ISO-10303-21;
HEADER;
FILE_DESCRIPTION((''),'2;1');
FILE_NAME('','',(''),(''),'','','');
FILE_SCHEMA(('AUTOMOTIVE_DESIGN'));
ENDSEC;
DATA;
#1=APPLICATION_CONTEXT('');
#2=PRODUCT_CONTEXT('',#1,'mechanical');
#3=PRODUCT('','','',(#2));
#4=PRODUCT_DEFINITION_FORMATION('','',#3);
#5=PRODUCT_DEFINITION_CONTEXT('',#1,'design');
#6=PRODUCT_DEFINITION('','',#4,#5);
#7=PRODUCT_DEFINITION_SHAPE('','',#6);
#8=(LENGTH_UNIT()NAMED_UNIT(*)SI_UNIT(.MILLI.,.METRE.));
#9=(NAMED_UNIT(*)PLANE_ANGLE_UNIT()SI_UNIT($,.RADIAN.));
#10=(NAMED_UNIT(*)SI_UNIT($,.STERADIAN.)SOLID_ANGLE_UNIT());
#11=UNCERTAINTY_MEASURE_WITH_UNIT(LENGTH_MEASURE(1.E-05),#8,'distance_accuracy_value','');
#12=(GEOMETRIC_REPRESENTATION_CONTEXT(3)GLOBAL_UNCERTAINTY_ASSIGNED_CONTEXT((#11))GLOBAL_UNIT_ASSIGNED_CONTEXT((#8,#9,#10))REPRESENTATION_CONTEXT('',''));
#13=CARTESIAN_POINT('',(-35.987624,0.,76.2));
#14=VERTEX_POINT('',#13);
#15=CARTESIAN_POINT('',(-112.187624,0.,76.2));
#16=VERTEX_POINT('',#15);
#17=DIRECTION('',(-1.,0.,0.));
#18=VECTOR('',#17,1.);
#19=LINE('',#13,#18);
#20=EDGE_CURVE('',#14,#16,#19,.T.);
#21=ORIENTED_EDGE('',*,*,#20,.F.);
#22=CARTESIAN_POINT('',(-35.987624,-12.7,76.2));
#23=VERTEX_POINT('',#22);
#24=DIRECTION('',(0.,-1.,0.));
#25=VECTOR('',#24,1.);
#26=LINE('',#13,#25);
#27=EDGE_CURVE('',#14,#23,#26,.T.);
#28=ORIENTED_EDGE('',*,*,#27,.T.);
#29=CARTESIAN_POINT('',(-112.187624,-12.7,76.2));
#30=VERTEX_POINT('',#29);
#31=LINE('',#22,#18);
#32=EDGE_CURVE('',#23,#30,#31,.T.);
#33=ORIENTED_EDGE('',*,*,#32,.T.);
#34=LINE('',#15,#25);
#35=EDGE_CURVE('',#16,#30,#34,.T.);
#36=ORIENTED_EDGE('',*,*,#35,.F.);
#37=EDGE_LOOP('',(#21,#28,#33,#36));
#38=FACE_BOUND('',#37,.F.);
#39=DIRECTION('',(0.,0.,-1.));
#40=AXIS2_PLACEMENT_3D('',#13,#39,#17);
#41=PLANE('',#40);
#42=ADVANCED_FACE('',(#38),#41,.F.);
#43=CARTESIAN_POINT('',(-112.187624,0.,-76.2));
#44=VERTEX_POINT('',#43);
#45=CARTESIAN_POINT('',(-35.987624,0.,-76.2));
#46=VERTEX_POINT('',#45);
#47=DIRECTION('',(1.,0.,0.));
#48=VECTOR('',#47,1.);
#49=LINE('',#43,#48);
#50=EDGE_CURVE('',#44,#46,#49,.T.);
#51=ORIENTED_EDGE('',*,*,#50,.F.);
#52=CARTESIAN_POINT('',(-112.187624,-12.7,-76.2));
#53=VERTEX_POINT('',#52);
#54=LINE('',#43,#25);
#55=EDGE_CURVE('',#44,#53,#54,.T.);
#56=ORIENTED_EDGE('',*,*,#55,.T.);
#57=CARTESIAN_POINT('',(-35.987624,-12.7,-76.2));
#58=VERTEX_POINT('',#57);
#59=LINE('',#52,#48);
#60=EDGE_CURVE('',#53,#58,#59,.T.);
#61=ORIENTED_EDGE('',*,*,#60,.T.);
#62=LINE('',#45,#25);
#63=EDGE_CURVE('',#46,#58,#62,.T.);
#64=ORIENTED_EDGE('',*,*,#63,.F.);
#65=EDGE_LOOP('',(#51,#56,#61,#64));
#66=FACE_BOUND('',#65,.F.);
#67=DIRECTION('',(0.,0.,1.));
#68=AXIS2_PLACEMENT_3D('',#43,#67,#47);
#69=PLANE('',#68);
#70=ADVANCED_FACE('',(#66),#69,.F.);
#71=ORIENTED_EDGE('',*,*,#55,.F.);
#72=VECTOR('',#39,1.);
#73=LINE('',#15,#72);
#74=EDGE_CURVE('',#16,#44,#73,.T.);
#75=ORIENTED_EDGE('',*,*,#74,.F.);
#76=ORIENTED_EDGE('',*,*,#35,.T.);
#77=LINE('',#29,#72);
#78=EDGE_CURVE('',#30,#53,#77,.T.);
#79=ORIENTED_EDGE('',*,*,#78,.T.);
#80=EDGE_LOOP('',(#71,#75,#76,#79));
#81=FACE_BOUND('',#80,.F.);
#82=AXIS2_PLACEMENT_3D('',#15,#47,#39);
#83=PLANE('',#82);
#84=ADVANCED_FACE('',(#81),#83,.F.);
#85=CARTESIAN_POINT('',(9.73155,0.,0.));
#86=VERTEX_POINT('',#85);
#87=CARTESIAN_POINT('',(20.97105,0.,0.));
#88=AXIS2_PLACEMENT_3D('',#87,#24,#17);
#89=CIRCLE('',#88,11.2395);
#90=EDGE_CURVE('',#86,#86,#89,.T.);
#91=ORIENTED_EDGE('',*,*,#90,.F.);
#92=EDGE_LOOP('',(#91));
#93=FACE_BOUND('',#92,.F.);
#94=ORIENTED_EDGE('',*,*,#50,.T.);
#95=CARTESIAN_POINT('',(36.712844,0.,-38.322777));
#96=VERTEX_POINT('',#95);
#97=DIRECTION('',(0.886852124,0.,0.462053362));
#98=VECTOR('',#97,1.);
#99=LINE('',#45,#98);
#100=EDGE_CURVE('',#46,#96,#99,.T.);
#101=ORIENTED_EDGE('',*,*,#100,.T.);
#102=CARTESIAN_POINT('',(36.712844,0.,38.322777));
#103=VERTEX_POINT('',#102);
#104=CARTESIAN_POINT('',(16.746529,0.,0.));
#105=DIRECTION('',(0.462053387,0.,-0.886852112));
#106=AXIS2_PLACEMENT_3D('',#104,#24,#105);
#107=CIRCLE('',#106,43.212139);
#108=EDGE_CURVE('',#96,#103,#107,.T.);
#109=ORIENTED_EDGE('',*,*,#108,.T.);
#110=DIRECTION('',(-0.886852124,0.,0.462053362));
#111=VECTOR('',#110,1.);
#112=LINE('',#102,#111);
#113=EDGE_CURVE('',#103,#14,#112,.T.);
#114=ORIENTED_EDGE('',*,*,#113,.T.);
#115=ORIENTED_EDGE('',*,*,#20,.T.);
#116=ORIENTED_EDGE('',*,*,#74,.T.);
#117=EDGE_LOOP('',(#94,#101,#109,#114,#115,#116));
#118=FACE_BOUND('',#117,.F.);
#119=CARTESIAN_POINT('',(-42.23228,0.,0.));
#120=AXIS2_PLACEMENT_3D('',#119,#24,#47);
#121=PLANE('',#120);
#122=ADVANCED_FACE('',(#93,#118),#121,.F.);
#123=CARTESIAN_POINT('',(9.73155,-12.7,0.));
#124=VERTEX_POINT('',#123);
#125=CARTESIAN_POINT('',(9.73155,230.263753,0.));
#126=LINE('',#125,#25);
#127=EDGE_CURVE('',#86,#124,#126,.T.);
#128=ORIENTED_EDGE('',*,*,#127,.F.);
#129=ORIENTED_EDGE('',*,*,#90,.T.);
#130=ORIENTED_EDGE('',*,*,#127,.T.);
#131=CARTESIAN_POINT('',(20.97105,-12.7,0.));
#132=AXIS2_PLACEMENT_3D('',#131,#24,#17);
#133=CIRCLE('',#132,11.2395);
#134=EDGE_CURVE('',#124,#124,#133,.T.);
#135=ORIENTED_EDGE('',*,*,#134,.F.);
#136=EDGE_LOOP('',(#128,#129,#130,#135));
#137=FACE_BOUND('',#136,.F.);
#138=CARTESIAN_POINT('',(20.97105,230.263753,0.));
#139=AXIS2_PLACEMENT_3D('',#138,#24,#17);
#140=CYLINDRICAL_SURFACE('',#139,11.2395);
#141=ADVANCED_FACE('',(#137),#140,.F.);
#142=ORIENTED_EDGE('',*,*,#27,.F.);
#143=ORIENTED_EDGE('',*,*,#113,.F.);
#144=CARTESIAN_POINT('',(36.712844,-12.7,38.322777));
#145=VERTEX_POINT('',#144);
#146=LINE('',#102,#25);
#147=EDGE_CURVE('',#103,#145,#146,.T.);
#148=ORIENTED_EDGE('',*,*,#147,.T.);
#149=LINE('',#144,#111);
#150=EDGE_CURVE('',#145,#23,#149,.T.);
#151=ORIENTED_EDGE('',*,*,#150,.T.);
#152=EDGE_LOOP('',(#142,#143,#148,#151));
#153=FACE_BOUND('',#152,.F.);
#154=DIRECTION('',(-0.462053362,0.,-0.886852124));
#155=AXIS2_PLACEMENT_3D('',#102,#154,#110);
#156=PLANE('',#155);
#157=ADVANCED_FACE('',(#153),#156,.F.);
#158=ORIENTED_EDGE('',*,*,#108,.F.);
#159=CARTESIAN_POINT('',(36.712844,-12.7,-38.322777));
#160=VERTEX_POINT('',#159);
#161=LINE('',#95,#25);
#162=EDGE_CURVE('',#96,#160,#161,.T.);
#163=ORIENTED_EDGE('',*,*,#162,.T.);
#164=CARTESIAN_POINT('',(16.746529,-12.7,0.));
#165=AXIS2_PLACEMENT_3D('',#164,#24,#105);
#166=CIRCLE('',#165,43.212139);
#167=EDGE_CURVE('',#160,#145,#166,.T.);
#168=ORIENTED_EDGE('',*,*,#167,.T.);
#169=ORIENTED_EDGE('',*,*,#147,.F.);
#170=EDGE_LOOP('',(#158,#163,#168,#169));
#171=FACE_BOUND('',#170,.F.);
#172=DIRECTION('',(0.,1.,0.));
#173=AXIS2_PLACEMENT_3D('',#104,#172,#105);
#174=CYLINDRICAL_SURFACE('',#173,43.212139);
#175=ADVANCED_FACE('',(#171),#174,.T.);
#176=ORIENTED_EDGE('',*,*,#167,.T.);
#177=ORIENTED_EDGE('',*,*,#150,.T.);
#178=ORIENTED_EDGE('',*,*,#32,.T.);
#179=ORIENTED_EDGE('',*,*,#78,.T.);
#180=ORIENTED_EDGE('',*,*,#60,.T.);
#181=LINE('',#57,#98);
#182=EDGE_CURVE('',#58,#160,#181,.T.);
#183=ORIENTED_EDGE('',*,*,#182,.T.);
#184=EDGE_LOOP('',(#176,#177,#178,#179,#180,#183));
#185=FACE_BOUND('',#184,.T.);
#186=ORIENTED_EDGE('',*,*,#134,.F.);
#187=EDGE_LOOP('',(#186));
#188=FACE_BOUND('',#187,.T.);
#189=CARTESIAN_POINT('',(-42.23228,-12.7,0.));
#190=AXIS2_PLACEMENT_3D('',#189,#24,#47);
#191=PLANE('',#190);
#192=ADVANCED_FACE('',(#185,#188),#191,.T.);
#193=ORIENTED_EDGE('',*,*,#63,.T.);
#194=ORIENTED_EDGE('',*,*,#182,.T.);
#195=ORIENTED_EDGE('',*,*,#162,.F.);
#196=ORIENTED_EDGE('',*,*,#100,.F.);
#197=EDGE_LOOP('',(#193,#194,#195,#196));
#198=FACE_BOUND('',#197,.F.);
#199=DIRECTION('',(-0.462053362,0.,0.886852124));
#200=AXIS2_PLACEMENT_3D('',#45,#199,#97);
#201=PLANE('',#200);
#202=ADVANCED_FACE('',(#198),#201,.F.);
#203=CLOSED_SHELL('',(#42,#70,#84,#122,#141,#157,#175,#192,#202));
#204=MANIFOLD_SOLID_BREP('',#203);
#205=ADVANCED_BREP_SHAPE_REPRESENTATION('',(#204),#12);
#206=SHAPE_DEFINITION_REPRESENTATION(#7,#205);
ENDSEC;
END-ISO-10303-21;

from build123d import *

# Parameters (mm, degrees)
F1_DEPTH = 12.7
F2_D     = 22.479


with BuildPart() as f1:
    # F0 (on Front) → F1 (new body)
    with BuildSketch(Plane.XZ):
        with BuildLine():
            Line((-35.987624, 76.2), (-112.187624, 76.2))
            Line((-112.187624, 76.2), (-112.187624, -76.2))
            Line((-112.187624, -76.2), (-35.987624, -76.2))
            Line((-35.987624, -76.2), (36.712844, -38.322777))
            ThreePointArc((36.712844, -38.322777), (59.958668, 0), (36.712844, 38.322777))
            Line((36.712844, 38.322777), (-35.987624, 76.2))
        make_face()
    extrude(amount=F1_DEPTH)

    # F2 (through all)
    with Locations(Plane(origin=(0, 0, 0), x_dir=(1, 0, 0), z_dir=(0, 1, 0))):
        with Locations((20.97105, 0)):
            Hole(F2_D / 2)


solid = f1.part
